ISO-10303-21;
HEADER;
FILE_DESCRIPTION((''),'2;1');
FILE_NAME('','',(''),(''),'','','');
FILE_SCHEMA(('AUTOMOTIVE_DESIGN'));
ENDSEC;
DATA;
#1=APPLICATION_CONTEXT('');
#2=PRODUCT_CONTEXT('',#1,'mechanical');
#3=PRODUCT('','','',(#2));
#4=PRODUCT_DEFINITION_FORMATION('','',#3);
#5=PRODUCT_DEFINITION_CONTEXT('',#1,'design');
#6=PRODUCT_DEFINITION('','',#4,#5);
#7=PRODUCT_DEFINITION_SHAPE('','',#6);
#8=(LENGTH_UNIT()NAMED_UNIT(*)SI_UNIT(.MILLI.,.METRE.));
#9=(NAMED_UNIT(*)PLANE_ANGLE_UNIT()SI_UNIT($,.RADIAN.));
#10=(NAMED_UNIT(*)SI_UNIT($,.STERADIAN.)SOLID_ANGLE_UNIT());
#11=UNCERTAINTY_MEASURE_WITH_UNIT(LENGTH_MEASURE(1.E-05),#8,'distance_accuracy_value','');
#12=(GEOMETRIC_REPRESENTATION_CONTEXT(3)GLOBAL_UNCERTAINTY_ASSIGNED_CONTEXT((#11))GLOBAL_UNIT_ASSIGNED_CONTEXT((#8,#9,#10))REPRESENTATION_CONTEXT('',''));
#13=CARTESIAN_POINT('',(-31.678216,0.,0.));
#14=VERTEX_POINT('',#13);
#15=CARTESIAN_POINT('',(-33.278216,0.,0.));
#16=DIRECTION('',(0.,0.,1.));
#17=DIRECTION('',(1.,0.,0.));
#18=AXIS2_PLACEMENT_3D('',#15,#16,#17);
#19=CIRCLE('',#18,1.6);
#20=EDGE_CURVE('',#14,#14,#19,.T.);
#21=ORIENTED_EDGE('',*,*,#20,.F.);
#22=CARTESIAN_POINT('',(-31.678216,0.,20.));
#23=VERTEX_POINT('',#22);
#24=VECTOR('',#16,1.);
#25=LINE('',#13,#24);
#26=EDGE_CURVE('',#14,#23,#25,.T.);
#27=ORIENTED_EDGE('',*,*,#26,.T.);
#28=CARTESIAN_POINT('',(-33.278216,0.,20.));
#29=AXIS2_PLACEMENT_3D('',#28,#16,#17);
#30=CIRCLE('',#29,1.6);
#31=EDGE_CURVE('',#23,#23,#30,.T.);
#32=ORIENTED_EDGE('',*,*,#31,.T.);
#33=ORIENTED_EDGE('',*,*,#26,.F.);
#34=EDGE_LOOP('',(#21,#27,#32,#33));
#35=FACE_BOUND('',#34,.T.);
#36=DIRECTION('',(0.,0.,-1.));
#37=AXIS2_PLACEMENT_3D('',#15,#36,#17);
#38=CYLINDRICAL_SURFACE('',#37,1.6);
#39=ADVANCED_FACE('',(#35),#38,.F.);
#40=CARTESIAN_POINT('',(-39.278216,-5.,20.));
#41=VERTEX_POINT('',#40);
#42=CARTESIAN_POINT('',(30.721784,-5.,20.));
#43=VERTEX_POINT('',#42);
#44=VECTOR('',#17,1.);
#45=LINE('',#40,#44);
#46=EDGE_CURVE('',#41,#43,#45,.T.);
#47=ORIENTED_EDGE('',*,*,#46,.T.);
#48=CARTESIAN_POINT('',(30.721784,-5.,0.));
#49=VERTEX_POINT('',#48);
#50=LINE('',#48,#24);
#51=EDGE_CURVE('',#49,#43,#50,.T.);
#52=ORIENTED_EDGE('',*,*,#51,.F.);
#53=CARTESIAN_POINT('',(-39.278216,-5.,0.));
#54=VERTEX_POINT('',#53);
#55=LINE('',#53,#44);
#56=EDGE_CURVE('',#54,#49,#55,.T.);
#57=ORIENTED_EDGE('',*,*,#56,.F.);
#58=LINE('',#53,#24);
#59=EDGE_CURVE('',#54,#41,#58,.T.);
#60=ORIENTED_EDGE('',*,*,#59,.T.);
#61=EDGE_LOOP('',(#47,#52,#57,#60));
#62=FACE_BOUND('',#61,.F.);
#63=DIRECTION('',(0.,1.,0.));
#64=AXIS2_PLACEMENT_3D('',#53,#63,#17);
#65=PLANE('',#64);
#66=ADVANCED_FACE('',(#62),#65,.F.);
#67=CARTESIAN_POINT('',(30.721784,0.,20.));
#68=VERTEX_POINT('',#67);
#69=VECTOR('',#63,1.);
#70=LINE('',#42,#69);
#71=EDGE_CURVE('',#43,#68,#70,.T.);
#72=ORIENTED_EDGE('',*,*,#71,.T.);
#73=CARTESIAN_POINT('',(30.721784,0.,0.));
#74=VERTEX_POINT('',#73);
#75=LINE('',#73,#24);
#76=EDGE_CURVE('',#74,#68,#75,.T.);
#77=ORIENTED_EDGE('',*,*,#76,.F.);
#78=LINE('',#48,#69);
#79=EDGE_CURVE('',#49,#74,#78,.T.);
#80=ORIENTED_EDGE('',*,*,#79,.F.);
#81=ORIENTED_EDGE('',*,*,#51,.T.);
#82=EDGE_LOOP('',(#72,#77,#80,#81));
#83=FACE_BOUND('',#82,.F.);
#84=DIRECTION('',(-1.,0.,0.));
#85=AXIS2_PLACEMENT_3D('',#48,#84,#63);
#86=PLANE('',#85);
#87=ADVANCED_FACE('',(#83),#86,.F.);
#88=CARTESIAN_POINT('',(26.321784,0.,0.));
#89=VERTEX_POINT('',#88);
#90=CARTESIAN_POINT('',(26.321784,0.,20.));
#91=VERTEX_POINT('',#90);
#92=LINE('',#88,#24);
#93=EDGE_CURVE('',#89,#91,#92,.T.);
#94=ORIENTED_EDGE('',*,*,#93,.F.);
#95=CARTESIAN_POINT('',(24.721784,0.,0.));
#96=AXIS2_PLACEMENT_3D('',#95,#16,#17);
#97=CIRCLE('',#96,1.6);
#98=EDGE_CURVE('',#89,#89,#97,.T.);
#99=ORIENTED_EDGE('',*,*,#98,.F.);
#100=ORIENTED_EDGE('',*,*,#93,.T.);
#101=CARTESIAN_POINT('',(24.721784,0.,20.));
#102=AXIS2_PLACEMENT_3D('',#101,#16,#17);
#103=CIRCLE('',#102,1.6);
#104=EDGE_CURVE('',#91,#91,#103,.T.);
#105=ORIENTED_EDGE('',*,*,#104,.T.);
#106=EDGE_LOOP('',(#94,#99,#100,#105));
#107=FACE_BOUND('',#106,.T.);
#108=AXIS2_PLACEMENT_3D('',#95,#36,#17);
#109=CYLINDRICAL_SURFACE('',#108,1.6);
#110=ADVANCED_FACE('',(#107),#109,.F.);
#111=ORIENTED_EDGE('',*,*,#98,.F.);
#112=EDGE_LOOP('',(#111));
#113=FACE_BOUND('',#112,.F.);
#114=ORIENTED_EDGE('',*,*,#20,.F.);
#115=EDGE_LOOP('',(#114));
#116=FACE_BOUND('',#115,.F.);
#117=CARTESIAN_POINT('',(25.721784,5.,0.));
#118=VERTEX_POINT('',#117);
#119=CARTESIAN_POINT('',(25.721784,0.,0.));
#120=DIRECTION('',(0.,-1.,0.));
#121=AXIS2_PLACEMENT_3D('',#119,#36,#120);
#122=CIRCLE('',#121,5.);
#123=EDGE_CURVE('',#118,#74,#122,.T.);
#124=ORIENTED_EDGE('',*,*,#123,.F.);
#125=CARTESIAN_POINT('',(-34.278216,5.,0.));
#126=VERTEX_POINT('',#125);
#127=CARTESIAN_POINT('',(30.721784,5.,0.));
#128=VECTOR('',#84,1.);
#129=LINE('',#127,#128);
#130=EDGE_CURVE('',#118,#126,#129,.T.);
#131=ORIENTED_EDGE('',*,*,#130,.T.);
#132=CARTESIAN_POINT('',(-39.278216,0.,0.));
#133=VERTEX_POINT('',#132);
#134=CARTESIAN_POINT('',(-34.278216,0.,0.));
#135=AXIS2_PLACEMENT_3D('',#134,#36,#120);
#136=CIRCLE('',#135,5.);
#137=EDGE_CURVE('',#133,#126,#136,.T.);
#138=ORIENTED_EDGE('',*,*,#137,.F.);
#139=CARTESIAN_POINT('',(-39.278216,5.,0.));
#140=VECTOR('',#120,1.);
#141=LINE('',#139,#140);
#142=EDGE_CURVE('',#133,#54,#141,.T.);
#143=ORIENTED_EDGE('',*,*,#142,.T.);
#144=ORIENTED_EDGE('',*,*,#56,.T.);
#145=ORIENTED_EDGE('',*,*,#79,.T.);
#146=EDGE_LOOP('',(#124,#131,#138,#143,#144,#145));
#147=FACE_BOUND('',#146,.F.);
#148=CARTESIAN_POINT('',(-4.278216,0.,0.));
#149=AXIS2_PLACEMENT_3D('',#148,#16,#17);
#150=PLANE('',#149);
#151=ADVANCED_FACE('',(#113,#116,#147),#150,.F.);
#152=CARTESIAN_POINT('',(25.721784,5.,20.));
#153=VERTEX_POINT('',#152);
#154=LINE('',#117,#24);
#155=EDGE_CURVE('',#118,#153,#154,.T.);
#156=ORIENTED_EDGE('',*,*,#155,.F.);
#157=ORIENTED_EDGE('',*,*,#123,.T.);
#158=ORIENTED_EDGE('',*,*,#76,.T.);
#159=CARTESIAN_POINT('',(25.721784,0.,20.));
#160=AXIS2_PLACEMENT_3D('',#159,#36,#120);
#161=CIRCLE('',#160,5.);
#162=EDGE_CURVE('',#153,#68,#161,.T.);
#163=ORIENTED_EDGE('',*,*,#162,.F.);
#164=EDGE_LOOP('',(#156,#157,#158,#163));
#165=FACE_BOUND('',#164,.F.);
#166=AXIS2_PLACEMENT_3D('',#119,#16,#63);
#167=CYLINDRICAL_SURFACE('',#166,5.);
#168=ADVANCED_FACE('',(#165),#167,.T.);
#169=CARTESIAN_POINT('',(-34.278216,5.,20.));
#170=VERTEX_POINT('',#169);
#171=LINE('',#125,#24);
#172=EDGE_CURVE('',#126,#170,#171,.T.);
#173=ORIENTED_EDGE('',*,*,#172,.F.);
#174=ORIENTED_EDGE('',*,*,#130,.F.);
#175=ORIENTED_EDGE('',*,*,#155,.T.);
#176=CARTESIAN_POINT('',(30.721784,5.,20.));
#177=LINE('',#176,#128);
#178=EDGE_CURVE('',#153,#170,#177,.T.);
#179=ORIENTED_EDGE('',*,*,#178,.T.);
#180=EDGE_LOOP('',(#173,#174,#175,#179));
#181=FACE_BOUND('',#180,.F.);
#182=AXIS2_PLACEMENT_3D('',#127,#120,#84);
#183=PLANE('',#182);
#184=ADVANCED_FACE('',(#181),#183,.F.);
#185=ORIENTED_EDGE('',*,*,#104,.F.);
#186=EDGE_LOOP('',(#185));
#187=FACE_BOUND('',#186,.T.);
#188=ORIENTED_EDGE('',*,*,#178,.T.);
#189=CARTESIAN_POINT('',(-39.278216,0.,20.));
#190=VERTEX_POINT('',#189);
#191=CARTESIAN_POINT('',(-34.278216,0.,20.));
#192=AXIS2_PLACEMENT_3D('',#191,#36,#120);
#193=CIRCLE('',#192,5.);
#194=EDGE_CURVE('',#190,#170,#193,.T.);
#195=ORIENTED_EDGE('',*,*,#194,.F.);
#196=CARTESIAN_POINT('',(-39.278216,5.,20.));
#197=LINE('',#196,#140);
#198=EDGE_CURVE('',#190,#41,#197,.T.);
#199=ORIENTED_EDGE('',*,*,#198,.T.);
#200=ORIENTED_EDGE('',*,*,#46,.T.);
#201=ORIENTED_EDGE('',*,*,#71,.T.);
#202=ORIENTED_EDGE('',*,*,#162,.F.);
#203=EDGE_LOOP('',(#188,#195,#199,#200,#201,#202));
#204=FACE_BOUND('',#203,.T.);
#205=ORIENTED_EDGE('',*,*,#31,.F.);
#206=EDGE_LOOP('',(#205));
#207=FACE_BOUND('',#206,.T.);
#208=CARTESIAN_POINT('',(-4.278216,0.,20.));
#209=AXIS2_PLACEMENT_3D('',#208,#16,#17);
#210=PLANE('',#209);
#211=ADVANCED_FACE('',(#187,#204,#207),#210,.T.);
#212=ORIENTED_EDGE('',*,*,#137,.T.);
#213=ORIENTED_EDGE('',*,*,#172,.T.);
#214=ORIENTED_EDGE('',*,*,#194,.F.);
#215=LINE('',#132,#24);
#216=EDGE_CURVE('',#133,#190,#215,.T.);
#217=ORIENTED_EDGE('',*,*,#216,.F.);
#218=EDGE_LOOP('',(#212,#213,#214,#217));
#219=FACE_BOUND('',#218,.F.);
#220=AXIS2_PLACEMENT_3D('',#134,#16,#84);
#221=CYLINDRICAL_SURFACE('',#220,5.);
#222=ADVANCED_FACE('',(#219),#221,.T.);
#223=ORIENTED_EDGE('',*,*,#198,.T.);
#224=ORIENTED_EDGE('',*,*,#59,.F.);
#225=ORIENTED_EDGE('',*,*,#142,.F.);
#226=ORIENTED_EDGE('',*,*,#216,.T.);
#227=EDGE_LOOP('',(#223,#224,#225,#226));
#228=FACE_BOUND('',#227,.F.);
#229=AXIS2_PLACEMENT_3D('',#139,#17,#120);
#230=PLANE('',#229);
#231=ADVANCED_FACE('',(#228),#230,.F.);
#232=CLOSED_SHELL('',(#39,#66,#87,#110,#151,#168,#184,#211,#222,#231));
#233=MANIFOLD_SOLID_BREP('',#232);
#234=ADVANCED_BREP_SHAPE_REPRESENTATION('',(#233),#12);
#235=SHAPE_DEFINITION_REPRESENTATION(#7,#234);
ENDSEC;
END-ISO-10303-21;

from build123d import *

# Parameters (mm, degrees)
F0_R     = 1.6
F1_DEPTH = 20
F2_R     = 5


with BuildPart() as f1:
    # F0 (on Top) → F1 (new body)
    with BuildSketch(Plane.XY):
        Polygon((24.721784, 5), (-33.278216, 5), (-39.278216, 5), (-39.278216, -5), (-33.278216, -5), (24.721784, -5), (30.721784, -5), (30.721784, 5), align=None)
        with Locations((-33.278216, 0)):
            Circle(F0_R, mode=Mode.SUBTRACT)
        with Locations((24.721784, 0)):
            Circle(F0_R, mode=Mode.SUBTRACT)
    extrude(amount=F1_DEPTH)

    # F2
    f2_edges = [f1.edges().sort_by_distance(p)[0] for p in [
        (-39.278216, 5, 10),
        (30.721784, 5, 10),
    ]]
    fillet(f2_edges, radius=F2_R)


solid = f1.part
